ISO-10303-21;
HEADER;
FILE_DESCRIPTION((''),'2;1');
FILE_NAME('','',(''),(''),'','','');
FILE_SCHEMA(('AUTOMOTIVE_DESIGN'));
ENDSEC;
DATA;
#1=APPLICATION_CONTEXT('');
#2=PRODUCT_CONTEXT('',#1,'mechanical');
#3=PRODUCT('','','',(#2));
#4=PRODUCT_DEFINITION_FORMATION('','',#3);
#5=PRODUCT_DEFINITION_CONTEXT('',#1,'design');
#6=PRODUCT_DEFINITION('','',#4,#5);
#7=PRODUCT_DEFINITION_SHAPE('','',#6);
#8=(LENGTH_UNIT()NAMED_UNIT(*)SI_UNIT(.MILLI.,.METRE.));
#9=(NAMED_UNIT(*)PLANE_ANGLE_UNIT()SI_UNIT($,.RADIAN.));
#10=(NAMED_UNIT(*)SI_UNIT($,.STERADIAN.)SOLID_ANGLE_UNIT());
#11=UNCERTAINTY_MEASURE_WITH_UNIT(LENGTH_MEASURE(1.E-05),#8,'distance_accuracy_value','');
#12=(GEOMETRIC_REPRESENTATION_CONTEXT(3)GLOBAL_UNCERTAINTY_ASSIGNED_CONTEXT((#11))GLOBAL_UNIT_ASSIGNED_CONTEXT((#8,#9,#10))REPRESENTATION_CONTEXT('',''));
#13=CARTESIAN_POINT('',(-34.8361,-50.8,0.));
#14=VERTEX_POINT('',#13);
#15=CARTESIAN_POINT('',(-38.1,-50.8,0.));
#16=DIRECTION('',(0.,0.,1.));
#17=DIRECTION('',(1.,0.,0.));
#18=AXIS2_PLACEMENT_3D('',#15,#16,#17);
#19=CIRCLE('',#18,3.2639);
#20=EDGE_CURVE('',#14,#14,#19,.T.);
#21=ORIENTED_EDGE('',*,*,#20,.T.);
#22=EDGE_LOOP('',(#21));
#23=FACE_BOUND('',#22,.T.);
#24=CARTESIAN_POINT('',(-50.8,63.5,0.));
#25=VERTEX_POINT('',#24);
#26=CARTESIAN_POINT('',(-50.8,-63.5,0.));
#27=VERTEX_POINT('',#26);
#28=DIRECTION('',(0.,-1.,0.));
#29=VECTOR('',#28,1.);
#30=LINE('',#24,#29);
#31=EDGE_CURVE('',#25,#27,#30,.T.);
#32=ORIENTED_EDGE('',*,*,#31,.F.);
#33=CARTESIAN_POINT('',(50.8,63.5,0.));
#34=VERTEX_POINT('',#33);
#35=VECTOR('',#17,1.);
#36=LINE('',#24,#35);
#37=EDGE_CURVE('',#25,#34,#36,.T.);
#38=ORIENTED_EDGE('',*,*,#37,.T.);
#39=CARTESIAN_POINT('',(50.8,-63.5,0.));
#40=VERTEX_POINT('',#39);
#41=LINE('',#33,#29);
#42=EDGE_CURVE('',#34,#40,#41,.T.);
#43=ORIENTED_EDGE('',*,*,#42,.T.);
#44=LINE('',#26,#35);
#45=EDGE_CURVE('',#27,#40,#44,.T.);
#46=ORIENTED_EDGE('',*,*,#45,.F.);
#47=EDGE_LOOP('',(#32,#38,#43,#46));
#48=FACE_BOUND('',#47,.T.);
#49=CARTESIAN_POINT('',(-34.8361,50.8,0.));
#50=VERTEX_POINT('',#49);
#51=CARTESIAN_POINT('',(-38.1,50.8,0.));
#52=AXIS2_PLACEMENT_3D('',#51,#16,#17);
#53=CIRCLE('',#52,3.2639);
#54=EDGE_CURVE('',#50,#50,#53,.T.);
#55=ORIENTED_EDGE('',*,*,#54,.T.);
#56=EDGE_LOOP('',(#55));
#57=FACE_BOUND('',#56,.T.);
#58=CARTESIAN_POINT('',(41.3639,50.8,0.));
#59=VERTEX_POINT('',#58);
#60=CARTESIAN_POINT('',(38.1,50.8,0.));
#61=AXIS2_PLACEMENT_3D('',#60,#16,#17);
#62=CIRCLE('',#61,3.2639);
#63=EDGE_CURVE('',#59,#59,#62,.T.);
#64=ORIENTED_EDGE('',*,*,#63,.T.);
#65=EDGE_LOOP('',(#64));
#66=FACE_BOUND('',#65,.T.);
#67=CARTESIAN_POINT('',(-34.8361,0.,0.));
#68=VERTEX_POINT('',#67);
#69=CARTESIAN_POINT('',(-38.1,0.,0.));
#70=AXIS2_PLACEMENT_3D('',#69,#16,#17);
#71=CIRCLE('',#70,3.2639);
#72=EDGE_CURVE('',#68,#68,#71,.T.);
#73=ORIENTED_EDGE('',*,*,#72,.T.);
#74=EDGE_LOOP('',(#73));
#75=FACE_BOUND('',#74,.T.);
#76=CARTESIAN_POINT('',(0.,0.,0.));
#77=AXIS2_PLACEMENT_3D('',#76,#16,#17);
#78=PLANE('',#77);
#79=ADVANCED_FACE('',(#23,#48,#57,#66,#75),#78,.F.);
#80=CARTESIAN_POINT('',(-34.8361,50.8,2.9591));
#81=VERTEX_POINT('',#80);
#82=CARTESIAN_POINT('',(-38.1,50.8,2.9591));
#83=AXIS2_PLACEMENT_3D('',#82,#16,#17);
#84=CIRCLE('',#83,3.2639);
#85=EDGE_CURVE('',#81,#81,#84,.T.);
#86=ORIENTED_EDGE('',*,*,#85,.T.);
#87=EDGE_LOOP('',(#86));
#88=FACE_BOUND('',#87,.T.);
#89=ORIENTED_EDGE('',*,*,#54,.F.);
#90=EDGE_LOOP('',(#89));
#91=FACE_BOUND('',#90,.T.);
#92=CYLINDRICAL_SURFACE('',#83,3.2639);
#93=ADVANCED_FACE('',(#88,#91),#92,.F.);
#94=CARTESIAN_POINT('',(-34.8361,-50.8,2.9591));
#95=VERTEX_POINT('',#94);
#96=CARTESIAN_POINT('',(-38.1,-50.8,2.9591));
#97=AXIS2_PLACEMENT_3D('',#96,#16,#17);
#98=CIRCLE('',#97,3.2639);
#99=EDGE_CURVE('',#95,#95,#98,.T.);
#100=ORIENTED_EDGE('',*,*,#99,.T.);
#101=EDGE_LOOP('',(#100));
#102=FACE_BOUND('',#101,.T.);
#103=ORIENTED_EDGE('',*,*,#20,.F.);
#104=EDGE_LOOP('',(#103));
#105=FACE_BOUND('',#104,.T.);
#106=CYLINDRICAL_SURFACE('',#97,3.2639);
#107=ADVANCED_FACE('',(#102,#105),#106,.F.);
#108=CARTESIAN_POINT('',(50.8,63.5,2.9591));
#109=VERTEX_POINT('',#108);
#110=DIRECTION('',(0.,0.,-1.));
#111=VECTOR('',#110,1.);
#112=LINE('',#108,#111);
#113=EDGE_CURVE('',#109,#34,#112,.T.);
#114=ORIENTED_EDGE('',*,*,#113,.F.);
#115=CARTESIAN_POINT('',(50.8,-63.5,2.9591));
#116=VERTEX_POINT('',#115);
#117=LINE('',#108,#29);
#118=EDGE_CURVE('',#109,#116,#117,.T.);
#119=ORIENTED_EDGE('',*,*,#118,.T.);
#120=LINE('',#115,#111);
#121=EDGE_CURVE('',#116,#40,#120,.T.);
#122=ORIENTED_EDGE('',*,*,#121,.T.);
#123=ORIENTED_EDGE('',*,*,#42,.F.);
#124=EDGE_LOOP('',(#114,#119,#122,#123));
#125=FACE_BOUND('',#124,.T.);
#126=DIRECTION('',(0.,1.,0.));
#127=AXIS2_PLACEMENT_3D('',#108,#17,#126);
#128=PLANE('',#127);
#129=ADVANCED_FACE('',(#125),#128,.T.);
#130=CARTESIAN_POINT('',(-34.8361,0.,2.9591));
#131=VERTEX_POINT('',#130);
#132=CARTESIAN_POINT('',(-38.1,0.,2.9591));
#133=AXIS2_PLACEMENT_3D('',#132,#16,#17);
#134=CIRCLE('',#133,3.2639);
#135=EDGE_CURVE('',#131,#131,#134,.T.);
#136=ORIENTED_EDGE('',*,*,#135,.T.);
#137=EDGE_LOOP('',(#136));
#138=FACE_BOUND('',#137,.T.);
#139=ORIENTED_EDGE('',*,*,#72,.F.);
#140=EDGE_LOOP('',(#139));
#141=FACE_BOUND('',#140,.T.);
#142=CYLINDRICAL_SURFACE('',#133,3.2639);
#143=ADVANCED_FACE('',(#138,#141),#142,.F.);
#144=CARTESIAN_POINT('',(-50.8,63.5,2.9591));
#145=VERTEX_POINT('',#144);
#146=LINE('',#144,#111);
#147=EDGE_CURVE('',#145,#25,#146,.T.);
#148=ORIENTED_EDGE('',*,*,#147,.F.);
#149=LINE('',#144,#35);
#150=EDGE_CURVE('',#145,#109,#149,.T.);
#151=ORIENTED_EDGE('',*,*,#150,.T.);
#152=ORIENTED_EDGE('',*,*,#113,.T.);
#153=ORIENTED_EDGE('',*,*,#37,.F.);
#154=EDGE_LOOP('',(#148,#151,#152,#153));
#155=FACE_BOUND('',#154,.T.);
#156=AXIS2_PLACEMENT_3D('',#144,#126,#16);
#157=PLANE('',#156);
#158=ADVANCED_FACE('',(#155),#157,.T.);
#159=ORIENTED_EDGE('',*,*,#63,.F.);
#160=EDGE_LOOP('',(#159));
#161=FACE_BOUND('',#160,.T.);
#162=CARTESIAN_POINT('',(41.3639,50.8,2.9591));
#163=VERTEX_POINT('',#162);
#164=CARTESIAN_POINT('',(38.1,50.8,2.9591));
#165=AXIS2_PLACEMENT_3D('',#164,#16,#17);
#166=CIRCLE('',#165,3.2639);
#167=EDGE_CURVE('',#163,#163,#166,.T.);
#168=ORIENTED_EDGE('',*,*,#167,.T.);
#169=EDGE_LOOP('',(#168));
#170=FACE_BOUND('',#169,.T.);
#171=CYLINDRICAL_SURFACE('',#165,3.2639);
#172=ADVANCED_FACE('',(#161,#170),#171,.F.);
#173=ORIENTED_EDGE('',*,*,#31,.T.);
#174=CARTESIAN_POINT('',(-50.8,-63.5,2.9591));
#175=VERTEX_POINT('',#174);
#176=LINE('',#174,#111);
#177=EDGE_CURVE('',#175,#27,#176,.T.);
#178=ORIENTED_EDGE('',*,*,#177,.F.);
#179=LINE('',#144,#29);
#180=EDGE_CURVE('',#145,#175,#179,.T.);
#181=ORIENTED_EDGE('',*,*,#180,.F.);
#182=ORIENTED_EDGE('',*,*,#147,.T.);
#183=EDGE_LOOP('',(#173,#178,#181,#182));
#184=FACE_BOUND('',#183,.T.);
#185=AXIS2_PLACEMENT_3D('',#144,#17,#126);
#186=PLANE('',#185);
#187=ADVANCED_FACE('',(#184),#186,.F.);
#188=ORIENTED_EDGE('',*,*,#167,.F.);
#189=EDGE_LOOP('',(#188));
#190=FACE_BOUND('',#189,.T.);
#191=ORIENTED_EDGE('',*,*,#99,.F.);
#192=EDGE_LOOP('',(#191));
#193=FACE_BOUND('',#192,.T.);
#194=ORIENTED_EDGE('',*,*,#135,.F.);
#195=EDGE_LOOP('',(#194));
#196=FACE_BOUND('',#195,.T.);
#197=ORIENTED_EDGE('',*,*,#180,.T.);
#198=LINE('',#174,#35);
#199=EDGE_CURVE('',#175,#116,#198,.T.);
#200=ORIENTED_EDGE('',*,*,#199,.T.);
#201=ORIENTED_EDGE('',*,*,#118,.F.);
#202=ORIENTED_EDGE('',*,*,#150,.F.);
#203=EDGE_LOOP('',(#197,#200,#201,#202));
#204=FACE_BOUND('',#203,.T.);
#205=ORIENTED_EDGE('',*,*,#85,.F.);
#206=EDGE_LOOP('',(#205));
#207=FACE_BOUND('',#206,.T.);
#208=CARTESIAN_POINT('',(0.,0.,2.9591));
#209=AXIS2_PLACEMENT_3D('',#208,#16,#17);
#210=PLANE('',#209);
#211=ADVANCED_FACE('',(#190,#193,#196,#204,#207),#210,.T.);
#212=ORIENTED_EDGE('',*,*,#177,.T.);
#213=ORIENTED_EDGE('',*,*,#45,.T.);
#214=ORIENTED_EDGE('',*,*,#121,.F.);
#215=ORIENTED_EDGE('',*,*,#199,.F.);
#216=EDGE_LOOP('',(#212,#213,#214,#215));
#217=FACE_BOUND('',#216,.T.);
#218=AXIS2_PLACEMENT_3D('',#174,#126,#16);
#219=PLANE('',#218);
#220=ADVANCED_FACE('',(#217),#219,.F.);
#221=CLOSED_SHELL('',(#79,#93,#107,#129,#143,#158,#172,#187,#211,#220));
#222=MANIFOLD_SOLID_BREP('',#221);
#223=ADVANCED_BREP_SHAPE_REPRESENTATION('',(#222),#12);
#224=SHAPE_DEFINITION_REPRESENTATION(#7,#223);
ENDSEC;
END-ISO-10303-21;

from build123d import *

# Parameters (mm, degrees)
SKETCH1_W                   = 101.6
SKETCH1_H                   = 127
BOSS_EXTRUDE1_DEPTH         = 2.9591
F_1_4_CLEARANCE_HOLE1_D     = 6.5278
F_1_4_CLEARANCE_HOLE1_DEPTH = 3.302
F_1_4_CLEARANCE_HOLE1_TIP   = 1.961148974


with BuildPart() as part:
    # Sketch1 → Boss-Extrude1 (new body)
    with BuildSketch(Plane.XY):
        Rectangle(SKETCH1_W, SKETCH1_H)
    extrude(amount=BOSS_EXTRUDE1_DEPTH)

    # 1/4 Clearance Hole1
    with Locations(Plane.XY.offset(2.9591)):
        with Locations((-38.1, 50.8), (38.1, 50.8), (-38.1, -50.8), (-38.1, 0)):
            Hole(F_1_4_CLEARANCE_HOLE1_D / 2, depth=F_1_4_CLEARANCE_HOLE1_DEPTH)
            with Locations((0, 0, -(F_1_4_CLEARANCE_HOLE1_DEPTH + F_1_4_CLEARANCE_HOLE1_TIP / 2))):  # 118° drill point
                Cone(0, F_1_4_CLEARANCE_HOLE1_D / 2, F_1_4_CLEARANCE_HOLE1_TIP, mode=Mode.SUBTRACT)


solid = part.part
